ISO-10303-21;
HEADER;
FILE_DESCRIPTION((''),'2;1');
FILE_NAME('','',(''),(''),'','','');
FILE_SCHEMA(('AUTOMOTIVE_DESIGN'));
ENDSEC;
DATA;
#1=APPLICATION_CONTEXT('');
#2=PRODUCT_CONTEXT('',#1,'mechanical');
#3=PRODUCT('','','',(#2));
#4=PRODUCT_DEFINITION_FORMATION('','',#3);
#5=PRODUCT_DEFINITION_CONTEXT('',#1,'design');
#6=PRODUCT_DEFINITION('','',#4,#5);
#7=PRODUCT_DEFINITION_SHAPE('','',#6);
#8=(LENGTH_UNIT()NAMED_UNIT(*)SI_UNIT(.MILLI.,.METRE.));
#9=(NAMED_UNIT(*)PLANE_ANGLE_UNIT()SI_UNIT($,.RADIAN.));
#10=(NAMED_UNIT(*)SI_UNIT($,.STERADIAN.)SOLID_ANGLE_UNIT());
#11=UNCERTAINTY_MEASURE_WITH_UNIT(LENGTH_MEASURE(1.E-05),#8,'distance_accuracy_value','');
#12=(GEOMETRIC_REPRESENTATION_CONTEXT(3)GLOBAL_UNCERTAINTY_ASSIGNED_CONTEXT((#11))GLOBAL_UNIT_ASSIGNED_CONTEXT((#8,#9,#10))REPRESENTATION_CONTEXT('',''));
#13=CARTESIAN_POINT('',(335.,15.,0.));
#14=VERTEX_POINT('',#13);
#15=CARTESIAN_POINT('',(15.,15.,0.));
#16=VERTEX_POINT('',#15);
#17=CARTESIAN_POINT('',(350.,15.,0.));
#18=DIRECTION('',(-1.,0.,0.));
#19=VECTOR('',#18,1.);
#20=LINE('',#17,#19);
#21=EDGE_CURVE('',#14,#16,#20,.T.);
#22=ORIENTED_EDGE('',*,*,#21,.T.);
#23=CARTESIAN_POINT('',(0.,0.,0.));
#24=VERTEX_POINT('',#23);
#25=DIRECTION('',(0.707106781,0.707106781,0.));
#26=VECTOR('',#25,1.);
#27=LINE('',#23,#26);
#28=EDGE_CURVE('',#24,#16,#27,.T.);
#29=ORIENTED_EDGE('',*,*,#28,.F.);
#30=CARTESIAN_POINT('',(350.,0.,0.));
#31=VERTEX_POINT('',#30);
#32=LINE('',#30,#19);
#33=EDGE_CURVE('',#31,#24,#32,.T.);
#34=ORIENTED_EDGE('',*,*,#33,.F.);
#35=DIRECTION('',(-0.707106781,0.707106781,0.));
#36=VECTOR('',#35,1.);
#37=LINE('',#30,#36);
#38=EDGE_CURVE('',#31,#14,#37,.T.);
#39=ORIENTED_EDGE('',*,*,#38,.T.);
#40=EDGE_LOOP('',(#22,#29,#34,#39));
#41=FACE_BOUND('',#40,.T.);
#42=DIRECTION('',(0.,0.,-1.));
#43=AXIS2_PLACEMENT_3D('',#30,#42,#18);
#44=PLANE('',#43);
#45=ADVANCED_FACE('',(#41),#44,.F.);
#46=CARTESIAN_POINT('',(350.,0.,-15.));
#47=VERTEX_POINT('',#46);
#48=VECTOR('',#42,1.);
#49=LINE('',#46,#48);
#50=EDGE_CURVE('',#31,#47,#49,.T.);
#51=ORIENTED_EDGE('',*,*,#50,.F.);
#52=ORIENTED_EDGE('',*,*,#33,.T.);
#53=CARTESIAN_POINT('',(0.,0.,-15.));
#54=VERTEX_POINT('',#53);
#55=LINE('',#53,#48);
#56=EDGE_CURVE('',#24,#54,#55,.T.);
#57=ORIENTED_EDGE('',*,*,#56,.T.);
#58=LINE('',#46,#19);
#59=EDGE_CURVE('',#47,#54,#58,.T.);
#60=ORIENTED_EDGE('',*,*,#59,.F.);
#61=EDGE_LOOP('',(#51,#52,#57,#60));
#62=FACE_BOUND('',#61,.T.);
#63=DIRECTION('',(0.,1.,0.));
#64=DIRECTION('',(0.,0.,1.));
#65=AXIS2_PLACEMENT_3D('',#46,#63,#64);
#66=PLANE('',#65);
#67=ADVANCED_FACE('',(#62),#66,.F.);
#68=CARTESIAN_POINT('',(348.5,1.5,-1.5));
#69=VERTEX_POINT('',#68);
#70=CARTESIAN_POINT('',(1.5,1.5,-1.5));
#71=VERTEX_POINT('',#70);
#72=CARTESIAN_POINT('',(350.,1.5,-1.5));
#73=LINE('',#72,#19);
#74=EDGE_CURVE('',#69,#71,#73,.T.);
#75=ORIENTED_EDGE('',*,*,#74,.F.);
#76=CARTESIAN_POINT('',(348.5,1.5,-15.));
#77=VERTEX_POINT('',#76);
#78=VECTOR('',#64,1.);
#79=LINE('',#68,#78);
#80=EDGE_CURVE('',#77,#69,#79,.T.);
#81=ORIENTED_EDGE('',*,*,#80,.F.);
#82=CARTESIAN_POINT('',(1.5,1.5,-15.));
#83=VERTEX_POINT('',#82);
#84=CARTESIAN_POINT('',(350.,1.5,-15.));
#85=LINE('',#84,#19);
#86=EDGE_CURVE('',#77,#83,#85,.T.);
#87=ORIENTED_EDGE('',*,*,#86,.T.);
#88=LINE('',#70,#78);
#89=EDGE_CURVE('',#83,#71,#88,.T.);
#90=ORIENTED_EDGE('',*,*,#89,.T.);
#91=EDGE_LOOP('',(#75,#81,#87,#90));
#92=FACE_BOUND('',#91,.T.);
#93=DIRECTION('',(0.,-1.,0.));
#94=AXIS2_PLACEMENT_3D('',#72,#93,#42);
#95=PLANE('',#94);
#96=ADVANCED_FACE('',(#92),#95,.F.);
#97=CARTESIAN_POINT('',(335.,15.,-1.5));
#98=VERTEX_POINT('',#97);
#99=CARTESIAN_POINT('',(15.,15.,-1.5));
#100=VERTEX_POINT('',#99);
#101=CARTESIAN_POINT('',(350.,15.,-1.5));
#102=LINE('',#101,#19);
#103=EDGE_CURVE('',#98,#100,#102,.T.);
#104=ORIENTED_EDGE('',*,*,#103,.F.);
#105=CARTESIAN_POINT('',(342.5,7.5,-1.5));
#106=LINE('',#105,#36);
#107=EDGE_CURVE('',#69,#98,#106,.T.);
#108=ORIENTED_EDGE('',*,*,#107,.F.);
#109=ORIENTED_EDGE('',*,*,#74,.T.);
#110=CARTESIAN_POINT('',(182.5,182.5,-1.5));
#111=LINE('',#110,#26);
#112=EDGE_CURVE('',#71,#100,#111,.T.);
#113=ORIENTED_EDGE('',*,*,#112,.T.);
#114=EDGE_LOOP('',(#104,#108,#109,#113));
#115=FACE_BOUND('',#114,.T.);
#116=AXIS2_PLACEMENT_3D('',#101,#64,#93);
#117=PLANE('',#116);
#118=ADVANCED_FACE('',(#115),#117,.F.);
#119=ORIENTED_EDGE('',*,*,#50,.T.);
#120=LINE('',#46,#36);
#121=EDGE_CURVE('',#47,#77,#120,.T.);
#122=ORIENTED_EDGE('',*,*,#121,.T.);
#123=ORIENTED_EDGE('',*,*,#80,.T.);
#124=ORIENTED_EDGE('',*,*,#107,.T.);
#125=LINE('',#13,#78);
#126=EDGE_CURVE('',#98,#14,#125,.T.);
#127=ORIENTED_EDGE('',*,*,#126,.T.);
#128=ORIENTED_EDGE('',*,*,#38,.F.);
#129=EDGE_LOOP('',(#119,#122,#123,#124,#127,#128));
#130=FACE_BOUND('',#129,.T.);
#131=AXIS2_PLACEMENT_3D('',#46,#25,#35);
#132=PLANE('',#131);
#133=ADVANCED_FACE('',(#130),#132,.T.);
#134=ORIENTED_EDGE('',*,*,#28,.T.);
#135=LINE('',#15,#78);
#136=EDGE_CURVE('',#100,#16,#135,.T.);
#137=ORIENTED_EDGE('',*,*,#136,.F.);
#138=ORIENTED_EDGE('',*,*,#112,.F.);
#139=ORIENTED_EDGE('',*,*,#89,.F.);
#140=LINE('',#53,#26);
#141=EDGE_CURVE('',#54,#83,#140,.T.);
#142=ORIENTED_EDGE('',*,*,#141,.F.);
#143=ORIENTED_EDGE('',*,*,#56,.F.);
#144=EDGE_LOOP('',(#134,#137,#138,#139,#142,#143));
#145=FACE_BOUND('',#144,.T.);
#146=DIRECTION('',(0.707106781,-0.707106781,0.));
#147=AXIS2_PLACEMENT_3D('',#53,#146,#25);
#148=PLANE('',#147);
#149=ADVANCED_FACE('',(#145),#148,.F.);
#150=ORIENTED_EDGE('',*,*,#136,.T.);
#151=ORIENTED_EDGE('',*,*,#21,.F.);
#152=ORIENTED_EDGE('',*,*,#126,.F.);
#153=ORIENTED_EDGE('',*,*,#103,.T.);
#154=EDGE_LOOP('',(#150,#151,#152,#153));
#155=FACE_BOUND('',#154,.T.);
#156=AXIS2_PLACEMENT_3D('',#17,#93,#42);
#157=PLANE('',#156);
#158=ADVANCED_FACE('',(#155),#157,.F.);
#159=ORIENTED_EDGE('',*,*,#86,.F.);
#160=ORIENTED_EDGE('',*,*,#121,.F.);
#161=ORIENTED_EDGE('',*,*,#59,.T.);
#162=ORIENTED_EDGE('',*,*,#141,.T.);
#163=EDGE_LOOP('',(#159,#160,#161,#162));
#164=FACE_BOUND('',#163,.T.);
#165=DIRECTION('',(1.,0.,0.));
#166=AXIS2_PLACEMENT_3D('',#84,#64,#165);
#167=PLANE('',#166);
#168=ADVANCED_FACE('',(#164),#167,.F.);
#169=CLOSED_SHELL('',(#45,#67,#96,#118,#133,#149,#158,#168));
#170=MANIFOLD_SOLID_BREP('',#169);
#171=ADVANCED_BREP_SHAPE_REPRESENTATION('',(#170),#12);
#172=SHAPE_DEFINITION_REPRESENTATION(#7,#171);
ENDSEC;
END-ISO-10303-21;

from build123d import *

# Parameters (mm, degrees)
EXTRUDE_1_DEPTH     = 350
CUT_EXTRUDE_1_DEPTH = 16


with BuildPart() as part:
    # Эскиз1 → Бобышка-Вытянуть1 (new body)
    with BuildSketch(Plane(origin=(0, 0, 0), x_dir=(0, 0, -1), z_dir=(1, 0, 0))):
        Polygon((0, 0), (0, 15), (1.5, 15), (1.5, 1.5), (15, 1.5), (15, 0), align=None)
    extrude(amount=EXTRUDE_1_DEPTH)

    # Эскиз2 → Вырез-Вытянуть1 (cut, through all)
    with BuildSketch(Plane.XY):
        Polygon((0, 0), (21.729873861, 21.729873861), (0, 21.729873861), align=None)
    cut_extrude_1 = extrude(amount=-CUT_EXTRUDE_1_DEPTH, mode=Mode.SUBTRACT)

    # Зеркальное отражение1: Вырез-Вытянуть1 across plane
    add(cut_extrude_1.mirror(Plane.ZY.offset(-175)), mode=Mode.SUBTRACT)


solid = part.part
